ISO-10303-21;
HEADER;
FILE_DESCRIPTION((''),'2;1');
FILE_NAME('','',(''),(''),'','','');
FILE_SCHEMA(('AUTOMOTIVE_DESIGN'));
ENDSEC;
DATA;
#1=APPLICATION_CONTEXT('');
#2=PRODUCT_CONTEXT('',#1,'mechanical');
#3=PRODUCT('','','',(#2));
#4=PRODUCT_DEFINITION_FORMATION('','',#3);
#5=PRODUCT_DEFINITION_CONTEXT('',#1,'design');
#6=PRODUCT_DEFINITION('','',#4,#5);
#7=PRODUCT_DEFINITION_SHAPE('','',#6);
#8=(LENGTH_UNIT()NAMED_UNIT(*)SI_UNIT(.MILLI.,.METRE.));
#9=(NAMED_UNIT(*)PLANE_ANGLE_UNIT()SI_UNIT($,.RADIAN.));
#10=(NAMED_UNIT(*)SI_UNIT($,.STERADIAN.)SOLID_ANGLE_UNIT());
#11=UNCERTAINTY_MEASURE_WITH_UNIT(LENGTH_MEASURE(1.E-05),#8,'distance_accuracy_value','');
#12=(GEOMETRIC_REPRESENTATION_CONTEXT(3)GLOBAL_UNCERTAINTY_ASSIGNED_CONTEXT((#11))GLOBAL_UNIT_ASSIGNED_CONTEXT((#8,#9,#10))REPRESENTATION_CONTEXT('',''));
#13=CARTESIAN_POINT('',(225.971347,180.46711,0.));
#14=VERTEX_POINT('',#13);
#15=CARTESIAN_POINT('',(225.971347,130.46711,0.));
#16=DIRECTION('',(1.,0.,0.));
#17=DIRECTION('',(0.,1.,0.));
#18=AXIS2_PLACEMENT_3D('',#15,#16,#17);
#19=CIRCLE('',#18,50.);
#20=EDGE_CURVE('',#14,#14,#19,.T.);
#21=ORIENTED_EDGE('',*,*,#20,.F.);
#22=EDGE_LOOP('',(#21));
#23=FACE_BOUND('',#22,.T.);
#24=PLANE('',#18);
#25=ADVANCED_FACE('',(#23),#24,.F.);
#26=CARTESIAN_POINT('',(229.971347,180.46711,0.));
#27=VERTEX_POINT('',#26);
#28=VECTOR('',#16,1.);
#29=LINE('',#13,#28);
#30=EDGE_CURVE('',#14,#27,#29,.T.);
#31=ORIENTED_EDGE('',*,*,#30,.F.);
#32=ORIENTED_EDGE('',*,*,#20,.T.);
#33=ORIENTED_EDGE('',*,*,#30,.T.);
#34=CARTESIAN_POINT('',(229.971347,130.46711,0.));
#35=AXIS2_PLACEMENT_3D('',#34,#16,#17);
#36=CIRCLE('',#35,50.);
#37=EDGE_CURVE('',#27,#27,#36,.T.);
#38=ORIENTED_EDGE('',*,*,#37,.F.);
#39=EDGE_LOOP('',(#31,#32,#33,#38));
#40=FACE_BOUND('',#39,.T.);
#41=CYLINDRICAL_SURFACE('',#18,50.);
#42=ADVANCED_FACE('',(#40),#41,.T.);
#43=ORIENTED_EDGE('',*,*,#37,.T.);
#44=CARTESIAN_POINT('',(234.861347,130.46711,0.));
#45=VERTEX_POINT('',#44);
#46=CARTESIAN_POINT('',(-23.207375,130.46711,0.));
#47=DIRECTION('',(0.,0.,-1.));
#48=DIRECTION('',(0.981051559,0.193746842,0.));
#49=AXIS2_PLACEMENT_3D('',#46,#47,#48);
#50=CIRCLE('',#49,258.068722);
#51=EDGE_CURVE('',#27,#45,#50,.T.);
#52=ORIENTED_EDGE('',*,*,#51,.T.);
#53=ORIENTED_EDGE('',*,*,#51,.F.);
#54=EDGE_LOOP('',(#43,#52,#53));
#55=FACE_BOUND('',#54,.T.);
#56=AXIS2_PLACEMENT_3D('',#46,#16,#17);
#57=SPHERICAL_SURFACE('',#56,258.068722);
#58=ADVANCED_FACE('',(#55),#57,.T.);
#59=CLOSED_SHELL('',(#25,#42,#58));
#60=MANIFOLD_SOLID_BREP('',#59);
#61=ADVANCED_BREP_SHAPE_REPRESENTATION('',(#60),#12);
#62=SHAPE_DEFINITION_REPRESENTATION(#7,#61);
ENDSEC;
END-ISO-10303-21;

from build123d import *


with BuildPart() as part:
    # 草图2 → 旋转1 (revolve)
    with BuildSketch(Plane.XY):
        with BuildLine():
            Line((225.971347266, 130.467109853), (225.971347266, 180.467109853))
            Line((225.971347266, 180.467109853), (229.971347266, 180.467109853))
            ThreePointArc((229.971347266, 180.467109853), (233.635937909, 155.586385818), (234.861347266, 130.467109853))
            Line((234.861347266, 130.467109853), (225.971347266, 130.467109853))
        make_face()
    revolve(axis=Axis((217.994582532, 130.467109853, 0), (1, 0, 0)))


solid = part.part
